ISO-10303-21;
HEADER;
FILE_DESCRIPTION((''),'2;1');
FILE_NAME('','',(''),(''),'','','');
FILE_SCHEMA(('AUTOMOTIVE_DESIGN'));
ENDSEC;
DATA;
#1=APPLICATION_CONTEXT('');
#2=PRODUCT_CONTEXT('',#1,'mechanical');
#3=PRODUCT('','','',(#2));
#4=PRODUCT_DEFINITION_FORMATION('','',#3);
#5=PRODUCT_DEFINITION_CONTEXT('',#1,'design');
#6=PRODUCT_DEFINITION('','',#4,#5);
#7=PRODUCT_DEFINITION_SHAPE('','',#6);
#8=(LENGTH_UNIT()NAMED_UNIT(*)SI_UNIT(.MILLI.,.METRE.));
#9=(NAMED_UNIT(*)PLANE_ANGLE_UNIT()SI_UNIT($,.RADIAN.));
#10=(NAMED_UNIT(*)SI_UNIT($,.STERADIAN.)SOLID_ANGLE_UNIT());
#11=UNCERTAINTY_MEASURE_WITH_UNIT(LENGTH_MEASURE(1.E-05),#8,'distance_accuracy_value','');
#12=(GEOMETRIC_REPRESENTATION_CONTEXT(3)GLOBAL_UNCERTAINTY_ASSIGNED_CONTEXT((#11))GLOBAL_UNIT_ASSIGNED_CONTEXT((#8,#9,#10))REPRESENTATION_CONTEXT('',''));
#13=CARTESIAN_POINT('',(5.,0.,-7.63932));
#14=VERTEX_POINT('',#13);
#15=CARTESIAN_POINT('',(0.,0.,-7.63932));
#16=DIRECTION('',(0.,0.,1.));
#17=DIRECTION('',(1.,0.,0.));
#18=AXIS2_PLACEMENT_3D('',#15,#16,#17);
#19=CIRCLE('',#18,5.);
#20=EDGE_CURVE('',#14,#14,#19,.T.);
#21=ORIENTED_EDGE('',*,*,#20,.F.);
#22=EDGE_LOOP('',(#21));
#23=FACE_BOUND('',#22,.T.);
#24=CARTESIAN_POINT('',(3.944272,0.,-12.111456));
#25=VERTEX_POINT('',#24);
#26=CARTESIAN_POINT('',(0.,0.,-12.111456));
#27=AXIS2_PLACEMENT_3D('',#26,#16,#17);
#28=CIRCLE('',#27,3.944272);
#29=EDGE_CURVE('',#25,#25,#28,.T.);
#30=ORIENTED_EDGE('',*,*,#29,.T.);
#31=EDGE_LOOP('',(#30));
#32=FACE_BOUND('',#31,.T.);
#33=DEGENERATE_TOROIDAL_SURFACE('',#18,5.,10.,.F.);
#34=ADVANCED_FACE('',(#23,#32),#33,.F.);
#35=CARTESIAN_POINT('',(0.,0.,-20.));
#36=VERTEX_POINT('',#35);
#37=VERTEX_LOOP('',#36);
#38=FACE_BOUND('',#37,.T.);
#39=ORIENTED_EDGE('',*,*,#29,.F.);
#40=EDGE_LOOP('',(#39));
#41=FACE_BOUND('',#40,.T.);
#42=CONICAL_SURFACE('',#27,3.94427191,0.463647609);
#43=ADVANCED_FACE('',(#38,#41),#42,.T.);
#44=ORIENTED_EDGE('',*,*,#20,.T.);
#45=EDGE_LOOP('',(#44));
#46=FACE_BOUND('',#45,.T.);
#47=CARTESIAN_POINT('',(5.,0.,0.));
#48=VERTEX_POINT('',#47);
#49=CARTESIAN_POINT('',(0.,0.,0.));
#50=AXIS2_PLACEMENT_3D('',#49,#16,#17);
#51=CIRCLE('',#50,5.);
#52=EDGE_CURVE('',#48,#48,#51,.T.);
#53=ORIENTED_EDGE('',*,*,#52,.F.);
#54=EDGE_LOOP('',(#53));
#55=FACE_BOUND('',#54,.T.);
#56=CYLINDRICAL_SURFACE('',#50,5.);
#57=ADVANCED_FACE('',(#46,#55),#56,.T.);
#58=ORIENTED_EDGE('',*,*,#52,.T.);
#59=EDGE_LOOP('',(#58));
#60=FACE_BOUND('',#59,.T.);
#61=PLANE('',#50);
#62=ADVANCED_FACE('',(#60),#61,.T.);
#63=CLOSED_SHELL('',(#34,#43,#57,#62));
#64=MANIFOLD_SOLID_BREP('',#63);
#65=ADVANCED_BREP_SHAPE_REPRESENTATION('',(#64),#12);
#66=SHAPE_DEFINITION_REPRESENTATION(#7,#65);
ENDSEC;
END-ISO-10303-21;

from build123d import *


with BuildPart() as part:
    # Sketch2 → Revolve1 (revolve)
    with BuildSketch(Plane(origin=(0, 0, 0), x_dir=(0, 0, -1), z_dir=(1, 0, 0)), mode=Mode.PRIVATE) as revolve1_sk:
        with BuildLine():
            Line((0, 0), (20, 0))
            Line((20, 0), (12.11145618, -3.94427191))
            ThreePointArc((12.11145618, -3.94427191), (9.93684943, -4.732489895), (7.639320225, -5))
            Line((7.639320225, -5), (0, -5))
            Line((0, -5), (0, 0))
        make_face()
    revolve(revolve1_sk.sketch.rotate(Axis((0, 0, 0), (0, 0, -1)), 270), axis=Axis((0, 0, 0), (0, 0, -1)))


solid = part.part
